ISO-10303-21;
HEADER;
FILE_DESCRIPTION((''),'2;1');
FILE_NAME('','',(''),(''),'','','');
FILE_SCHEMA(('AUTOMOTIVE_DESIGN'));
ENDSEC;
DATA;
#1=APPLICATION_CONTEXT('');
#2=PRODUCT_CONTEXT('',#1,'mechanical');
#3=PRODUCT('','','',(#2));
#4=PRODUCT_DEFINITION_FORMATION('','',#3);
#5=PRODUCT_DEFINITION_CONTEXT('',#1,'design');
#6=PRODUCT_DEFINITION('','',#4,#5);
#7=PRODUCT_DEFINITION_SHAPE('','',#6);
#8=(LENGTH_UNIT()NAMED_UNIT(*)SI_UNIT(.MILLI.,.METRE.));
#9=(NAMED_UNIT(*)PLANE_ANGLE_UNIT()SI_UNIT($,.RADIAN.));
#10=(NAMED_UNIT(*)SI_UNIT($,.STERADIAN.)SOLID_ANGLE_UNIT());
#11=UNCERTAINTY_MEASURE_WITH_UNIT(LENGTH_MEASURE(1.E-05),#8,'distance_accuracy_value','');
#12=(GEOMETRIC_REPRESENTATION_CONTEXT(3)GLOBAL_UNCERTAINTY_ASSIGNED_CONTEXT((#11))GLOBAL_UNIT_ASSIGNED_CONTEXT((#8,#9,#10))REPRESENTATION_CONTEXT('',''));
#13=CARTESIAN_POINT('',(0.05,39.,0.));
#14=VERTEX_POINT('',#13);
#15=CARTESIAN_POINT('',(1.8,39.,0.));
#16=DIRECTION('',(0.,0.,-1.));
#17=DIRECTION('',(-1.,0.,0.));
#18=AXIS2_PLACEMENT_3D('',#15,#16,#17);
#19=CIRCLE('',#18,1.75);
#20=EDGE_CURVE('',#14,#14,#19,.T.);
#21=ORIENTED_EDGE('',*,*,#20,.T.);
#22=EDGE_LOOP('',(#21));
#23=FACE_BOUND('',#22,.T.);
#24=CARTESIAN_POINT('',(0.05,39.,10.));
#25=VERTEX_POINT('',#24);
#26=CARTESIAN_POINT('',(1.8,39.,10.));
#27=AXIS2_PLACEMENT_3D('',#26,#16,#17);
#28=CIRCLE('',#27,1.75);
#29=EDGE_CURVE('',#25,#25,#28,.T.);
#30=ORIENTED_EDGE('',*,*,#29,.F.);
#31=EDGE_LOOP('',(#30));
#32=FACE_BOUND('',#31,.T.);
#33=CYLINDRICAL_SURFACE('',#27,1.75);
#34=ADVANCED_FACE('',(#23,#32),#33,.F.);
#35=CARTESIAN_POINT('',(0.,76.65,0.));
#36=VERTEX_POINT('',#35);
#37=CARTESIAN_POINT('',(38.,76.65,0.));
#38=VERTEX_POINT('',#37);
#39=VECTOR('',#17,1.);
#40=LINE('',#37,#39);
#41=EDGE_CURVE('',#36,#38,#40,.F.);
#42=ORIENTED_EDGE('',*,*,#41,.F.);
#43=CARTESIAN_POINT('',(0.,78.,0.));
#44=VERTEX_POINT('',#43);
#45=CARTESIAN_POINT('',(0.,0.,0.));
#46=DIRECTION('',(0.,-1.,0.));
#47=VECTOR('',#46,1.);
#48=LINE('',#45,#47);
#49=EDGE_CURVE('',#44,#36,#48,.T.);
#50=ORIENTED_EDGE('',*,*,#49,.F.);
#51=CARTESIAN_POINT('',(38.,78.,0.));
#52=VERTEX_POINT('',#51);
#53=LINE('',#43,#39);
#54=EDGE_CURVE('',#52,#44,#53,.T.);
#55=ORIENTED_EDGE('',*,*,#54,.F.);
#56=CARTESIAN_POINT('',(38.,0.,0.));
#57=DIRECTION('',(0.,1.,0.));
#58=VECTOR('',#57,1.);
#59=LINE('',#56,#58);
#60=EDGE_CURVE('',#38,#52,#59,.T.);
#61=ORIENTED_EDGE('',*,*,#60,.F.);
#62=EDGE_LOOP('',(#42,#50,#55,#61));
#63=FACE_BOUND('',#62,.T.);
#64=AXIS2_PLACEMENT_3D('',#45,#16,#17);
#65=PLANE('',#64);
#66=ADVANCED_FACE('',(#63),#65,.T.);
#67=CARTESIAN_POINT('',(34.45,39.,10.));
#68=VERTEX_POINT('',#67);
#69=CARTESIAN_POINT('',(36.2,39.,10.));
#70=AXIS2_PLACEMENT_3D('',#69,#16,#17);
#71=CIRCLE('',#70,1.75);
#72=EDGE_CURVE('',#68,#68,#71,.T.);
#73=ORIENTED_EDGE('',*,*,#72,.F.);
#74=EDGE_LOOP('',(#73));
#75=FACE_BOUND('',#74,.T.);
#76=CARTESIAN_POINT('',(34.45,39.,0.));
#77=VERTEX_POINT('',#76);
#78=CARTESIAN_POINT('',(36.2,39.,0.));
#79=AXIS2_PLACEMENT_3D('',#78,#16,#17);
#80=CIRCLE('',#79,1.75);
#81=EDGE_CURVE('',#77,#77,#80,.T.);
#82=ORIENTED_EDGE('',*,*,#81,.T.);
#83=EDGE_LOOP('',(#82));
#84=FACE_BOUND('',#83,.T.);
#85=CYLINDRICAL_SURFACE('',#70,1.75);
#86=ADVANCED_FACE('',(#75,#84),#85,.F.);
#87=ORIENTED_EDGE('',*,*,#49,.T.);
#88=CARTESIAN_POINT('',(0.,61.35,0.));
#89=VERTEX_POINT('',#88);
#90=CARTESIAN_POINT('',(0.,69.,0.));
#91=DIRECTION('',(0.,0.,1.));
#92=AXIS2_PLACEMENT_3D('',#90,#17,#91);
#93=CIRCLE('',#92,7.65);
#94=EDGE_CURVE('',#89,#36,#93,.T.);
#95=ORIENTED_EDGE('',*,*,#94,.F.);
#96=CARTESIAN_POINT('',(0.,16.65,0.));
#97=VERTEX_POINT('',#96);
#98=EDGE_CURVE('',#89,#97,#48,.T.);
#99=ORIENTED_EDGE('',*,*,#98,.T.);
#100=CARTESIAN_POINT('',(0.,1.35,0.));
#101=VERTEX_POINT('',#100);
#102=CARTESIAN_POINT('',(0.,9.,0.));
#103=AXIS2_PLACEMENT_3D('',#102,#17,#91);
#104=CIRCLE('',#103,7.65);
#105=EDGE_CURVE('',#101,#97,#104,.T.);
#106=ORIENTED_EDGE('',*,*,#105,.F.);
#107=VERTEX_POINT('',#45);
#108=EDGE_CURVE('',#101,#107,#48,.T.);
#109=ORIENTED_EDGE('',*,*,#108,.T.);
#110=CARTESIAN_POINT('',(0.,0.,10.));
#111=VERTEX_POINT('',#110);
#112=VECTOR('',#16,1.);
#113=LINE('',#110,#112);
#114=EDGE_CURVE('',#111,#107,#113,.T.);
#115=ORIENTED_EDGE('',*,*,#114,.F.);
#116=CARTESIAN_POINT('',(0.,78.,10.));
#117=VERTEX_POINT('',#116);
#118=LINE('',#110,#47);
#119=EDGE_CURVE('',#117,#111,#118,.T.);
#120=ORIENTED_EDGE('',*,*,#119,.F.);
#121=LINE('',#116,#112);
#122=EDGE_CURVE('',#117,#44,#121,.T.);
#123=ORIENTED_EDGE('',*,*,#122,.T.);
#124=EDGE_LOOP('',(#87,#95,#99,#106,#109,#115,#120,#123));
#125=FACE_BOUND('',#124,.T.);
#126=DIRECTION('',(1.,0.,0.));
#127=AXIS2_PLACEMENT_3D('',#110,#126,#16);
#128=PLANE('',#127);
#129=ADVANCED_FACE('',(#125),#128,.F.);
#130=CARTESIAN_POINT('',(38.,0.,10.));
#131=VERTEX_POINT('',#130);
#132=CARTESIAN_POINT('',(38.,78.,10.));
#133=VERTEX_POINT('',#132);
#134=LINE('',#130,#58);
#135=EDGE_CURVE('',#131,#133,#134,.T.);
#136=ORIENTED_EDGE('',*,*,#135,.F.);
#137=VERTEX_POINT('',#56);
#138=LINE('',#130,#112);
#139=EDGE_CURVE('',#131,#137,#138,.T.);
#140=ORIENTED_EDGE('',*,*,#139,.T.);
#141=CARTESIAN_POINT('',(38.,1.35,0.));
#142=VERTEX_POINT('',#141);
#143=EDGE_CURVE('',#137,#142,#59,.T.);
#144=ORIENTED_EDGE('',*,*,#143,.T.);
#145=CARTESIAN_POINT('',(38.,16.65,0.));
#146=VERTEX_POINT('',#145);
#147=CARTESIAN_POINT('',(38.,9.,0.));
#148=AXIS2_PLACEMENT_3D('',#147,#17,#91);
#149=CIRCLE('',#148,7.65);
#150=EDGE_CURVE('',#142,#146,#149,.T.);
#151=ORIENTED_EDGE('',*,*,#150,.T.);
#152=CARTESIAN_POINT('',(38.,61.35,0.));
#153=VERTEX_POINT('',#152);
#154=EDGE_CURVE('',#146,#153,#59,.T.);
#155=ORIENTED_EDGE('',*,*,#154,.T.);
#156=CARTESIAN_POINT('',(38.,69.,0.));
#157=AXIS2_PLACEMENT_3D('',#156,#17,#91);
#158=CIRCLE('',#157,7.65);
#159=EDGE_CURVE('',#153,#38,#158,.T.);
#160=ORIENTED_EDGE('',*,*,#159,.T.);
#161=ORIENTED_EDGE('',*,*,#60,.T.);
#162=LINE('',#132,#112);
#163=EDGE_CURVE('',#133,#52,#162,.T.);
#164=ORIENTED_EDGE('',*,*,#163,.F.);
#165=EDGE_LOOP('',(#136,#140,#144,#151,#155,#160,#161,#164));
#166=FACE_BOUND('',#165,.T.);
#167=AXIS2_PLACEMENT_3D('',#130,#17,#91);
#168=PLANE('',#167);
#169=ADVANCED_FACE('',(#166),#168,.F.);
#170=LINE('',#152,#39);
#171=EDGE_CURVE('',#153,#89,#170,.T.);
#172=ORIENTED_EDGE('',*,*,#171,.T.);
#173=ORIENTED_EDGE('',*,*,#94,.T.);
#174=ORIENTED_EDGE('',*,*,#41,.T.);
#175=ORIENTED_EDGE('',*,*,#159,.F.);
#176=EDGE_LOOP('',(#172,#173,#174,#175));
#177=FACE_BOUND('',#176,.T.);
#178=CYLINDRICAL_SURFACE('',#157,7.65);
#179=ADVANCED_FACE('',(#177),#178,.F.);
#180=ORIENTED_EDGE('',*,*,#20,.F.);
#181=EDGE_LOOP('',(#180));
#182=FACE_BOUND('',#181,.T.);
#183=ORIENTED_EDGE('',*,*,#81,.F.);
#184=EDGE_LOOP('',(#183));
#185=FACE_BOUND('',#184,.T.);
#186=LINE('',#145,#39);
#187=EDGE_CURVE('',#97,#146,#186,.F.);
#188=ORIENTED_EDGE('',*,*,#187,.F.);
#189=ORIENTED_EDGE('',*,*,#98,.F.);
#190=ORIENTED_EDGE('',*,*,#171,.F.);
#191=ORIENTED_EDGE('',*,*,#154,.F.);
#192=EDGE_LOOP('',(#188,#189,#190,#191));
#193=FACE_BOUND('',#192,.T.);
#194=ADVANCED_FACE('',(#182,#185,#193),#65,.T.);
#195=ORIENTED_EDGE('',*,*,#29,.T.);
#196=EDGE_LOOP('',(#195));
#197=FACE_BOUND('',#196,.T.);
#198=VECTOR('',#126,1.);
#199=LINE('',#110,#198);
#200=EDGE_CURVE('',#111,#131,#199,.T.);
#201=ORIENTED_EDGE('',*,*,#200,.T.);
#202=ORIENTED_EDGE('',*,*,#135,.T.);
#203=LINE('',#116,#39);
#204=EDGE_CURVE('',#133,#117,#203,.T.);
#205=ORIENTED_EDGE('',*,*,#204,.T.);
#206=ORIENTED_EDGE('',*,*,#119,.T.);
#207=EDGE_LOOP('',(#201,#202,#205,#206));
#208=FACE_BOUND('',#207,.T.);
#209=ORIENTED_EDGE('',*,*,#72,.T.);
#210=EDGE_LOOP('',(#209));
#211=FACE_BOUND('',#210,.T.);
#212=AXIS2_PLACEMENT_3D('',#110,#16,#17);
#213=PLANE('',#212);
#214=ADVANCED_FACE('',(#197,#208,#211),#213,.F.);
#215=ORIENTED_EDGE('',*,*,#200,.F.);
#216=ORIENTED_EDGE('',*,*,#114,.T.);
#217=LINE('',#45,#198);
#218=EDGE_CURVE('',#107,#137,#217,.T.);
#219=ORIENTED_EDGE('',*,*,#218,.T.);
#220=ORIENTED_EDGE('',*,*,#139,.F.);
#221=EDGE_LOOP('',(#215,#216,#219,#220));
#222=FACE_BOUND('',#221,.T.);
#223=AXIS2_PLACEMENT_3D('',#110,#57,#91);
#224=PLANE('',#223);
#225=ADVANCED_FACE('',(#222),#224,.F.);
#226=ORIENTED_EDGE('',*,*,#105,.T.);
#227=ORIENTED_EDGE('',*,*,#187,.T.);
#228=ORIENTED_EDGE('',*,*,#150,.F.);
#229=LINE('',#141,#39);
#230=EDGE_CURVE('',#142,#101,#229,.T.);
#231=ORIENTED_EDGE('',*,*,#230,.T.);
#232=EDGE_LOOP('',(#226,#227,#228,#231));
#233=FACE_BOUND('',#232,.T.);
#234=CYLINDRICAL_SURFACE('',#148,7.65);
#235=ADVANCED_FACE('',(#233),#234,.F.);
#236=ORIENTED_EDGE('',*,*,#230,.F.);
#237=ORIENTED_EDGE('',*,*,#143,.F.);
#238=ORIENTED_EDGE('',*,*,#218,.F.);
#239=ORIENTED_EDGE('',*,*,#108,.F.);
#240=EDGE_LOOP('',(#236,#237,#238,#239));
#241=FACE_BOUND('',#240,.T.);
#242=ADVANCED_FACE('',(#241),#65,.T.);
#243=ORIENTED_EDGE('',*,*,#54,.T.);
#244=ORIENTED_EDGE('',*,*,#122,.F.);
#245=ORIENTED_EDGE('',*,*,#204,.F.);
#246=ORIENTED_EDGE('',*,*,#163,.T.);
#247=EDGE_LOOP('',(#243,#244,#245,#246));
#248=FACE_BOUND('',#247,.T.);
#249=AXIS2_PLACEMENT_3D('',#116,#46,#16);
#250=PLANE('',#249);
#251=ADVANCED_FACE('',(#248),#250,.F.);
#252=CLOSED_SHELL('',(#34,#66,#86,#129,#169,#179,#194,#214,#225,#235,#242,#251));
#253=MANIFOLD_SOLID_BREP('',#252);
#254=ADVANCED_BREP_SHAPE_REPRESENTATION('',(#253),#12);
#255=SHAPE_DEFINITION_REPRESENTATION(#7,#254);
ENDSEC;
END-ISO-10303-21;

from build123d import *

# Parameters (mm, degrees)
SKETCH1_W           = 38
SKETCH1_H           = 78
BOSS_EXTRUDE1_DEPTH = 10
SKETCH2_R           = 7.65
CUT_EXTRUDE1_DEPTH  = 88.338422244
SKETCH3_R           = 1.75
CUT_EXTRUDE2_DEPTH  = 88.338422244


with BuildPart() as part:
    # Sketch1 → Boss-Extrude1 (new body)
    with BuildSketch(Plane.XY):
        with Locations((19, 39)):
            Rectangle(SKETCH1_W, SKETCH1_H)
    extrude(amount=BOSS_EXTRUDE1_DEPTH)

    # Sketch2 → Cut-Extrude1 (cut, through all)
    with BuildSketch(Plane.ZY):
        with Locations((0, 69)):
            Circle(SKETCH2_R)
        with Locations((0, 9)):
            Circle(SKETCH2_R)
    extrude(amount=-CUT_EXTRUDE1_DEPTH, mode=Mode.SUBTRACT)

    # Sketch3 → Cut-Extrude2 (cut, through all)
    with BuildSketch(Plane(origin=(0, 0, 0), x_dir=(-1, 0, 0), z_dir=(0, 0, -1))):
        with Locations((-36.2, 39)):
            Circle(SKETCH3_R)
        with Locations((-1.8, 39)):
            Circle(SKETCH3_R)
    extrude(amount=-CUT_EXTRUDE2_DEPTH, mode=Mode.SUBTRACT)


solid = part.part
